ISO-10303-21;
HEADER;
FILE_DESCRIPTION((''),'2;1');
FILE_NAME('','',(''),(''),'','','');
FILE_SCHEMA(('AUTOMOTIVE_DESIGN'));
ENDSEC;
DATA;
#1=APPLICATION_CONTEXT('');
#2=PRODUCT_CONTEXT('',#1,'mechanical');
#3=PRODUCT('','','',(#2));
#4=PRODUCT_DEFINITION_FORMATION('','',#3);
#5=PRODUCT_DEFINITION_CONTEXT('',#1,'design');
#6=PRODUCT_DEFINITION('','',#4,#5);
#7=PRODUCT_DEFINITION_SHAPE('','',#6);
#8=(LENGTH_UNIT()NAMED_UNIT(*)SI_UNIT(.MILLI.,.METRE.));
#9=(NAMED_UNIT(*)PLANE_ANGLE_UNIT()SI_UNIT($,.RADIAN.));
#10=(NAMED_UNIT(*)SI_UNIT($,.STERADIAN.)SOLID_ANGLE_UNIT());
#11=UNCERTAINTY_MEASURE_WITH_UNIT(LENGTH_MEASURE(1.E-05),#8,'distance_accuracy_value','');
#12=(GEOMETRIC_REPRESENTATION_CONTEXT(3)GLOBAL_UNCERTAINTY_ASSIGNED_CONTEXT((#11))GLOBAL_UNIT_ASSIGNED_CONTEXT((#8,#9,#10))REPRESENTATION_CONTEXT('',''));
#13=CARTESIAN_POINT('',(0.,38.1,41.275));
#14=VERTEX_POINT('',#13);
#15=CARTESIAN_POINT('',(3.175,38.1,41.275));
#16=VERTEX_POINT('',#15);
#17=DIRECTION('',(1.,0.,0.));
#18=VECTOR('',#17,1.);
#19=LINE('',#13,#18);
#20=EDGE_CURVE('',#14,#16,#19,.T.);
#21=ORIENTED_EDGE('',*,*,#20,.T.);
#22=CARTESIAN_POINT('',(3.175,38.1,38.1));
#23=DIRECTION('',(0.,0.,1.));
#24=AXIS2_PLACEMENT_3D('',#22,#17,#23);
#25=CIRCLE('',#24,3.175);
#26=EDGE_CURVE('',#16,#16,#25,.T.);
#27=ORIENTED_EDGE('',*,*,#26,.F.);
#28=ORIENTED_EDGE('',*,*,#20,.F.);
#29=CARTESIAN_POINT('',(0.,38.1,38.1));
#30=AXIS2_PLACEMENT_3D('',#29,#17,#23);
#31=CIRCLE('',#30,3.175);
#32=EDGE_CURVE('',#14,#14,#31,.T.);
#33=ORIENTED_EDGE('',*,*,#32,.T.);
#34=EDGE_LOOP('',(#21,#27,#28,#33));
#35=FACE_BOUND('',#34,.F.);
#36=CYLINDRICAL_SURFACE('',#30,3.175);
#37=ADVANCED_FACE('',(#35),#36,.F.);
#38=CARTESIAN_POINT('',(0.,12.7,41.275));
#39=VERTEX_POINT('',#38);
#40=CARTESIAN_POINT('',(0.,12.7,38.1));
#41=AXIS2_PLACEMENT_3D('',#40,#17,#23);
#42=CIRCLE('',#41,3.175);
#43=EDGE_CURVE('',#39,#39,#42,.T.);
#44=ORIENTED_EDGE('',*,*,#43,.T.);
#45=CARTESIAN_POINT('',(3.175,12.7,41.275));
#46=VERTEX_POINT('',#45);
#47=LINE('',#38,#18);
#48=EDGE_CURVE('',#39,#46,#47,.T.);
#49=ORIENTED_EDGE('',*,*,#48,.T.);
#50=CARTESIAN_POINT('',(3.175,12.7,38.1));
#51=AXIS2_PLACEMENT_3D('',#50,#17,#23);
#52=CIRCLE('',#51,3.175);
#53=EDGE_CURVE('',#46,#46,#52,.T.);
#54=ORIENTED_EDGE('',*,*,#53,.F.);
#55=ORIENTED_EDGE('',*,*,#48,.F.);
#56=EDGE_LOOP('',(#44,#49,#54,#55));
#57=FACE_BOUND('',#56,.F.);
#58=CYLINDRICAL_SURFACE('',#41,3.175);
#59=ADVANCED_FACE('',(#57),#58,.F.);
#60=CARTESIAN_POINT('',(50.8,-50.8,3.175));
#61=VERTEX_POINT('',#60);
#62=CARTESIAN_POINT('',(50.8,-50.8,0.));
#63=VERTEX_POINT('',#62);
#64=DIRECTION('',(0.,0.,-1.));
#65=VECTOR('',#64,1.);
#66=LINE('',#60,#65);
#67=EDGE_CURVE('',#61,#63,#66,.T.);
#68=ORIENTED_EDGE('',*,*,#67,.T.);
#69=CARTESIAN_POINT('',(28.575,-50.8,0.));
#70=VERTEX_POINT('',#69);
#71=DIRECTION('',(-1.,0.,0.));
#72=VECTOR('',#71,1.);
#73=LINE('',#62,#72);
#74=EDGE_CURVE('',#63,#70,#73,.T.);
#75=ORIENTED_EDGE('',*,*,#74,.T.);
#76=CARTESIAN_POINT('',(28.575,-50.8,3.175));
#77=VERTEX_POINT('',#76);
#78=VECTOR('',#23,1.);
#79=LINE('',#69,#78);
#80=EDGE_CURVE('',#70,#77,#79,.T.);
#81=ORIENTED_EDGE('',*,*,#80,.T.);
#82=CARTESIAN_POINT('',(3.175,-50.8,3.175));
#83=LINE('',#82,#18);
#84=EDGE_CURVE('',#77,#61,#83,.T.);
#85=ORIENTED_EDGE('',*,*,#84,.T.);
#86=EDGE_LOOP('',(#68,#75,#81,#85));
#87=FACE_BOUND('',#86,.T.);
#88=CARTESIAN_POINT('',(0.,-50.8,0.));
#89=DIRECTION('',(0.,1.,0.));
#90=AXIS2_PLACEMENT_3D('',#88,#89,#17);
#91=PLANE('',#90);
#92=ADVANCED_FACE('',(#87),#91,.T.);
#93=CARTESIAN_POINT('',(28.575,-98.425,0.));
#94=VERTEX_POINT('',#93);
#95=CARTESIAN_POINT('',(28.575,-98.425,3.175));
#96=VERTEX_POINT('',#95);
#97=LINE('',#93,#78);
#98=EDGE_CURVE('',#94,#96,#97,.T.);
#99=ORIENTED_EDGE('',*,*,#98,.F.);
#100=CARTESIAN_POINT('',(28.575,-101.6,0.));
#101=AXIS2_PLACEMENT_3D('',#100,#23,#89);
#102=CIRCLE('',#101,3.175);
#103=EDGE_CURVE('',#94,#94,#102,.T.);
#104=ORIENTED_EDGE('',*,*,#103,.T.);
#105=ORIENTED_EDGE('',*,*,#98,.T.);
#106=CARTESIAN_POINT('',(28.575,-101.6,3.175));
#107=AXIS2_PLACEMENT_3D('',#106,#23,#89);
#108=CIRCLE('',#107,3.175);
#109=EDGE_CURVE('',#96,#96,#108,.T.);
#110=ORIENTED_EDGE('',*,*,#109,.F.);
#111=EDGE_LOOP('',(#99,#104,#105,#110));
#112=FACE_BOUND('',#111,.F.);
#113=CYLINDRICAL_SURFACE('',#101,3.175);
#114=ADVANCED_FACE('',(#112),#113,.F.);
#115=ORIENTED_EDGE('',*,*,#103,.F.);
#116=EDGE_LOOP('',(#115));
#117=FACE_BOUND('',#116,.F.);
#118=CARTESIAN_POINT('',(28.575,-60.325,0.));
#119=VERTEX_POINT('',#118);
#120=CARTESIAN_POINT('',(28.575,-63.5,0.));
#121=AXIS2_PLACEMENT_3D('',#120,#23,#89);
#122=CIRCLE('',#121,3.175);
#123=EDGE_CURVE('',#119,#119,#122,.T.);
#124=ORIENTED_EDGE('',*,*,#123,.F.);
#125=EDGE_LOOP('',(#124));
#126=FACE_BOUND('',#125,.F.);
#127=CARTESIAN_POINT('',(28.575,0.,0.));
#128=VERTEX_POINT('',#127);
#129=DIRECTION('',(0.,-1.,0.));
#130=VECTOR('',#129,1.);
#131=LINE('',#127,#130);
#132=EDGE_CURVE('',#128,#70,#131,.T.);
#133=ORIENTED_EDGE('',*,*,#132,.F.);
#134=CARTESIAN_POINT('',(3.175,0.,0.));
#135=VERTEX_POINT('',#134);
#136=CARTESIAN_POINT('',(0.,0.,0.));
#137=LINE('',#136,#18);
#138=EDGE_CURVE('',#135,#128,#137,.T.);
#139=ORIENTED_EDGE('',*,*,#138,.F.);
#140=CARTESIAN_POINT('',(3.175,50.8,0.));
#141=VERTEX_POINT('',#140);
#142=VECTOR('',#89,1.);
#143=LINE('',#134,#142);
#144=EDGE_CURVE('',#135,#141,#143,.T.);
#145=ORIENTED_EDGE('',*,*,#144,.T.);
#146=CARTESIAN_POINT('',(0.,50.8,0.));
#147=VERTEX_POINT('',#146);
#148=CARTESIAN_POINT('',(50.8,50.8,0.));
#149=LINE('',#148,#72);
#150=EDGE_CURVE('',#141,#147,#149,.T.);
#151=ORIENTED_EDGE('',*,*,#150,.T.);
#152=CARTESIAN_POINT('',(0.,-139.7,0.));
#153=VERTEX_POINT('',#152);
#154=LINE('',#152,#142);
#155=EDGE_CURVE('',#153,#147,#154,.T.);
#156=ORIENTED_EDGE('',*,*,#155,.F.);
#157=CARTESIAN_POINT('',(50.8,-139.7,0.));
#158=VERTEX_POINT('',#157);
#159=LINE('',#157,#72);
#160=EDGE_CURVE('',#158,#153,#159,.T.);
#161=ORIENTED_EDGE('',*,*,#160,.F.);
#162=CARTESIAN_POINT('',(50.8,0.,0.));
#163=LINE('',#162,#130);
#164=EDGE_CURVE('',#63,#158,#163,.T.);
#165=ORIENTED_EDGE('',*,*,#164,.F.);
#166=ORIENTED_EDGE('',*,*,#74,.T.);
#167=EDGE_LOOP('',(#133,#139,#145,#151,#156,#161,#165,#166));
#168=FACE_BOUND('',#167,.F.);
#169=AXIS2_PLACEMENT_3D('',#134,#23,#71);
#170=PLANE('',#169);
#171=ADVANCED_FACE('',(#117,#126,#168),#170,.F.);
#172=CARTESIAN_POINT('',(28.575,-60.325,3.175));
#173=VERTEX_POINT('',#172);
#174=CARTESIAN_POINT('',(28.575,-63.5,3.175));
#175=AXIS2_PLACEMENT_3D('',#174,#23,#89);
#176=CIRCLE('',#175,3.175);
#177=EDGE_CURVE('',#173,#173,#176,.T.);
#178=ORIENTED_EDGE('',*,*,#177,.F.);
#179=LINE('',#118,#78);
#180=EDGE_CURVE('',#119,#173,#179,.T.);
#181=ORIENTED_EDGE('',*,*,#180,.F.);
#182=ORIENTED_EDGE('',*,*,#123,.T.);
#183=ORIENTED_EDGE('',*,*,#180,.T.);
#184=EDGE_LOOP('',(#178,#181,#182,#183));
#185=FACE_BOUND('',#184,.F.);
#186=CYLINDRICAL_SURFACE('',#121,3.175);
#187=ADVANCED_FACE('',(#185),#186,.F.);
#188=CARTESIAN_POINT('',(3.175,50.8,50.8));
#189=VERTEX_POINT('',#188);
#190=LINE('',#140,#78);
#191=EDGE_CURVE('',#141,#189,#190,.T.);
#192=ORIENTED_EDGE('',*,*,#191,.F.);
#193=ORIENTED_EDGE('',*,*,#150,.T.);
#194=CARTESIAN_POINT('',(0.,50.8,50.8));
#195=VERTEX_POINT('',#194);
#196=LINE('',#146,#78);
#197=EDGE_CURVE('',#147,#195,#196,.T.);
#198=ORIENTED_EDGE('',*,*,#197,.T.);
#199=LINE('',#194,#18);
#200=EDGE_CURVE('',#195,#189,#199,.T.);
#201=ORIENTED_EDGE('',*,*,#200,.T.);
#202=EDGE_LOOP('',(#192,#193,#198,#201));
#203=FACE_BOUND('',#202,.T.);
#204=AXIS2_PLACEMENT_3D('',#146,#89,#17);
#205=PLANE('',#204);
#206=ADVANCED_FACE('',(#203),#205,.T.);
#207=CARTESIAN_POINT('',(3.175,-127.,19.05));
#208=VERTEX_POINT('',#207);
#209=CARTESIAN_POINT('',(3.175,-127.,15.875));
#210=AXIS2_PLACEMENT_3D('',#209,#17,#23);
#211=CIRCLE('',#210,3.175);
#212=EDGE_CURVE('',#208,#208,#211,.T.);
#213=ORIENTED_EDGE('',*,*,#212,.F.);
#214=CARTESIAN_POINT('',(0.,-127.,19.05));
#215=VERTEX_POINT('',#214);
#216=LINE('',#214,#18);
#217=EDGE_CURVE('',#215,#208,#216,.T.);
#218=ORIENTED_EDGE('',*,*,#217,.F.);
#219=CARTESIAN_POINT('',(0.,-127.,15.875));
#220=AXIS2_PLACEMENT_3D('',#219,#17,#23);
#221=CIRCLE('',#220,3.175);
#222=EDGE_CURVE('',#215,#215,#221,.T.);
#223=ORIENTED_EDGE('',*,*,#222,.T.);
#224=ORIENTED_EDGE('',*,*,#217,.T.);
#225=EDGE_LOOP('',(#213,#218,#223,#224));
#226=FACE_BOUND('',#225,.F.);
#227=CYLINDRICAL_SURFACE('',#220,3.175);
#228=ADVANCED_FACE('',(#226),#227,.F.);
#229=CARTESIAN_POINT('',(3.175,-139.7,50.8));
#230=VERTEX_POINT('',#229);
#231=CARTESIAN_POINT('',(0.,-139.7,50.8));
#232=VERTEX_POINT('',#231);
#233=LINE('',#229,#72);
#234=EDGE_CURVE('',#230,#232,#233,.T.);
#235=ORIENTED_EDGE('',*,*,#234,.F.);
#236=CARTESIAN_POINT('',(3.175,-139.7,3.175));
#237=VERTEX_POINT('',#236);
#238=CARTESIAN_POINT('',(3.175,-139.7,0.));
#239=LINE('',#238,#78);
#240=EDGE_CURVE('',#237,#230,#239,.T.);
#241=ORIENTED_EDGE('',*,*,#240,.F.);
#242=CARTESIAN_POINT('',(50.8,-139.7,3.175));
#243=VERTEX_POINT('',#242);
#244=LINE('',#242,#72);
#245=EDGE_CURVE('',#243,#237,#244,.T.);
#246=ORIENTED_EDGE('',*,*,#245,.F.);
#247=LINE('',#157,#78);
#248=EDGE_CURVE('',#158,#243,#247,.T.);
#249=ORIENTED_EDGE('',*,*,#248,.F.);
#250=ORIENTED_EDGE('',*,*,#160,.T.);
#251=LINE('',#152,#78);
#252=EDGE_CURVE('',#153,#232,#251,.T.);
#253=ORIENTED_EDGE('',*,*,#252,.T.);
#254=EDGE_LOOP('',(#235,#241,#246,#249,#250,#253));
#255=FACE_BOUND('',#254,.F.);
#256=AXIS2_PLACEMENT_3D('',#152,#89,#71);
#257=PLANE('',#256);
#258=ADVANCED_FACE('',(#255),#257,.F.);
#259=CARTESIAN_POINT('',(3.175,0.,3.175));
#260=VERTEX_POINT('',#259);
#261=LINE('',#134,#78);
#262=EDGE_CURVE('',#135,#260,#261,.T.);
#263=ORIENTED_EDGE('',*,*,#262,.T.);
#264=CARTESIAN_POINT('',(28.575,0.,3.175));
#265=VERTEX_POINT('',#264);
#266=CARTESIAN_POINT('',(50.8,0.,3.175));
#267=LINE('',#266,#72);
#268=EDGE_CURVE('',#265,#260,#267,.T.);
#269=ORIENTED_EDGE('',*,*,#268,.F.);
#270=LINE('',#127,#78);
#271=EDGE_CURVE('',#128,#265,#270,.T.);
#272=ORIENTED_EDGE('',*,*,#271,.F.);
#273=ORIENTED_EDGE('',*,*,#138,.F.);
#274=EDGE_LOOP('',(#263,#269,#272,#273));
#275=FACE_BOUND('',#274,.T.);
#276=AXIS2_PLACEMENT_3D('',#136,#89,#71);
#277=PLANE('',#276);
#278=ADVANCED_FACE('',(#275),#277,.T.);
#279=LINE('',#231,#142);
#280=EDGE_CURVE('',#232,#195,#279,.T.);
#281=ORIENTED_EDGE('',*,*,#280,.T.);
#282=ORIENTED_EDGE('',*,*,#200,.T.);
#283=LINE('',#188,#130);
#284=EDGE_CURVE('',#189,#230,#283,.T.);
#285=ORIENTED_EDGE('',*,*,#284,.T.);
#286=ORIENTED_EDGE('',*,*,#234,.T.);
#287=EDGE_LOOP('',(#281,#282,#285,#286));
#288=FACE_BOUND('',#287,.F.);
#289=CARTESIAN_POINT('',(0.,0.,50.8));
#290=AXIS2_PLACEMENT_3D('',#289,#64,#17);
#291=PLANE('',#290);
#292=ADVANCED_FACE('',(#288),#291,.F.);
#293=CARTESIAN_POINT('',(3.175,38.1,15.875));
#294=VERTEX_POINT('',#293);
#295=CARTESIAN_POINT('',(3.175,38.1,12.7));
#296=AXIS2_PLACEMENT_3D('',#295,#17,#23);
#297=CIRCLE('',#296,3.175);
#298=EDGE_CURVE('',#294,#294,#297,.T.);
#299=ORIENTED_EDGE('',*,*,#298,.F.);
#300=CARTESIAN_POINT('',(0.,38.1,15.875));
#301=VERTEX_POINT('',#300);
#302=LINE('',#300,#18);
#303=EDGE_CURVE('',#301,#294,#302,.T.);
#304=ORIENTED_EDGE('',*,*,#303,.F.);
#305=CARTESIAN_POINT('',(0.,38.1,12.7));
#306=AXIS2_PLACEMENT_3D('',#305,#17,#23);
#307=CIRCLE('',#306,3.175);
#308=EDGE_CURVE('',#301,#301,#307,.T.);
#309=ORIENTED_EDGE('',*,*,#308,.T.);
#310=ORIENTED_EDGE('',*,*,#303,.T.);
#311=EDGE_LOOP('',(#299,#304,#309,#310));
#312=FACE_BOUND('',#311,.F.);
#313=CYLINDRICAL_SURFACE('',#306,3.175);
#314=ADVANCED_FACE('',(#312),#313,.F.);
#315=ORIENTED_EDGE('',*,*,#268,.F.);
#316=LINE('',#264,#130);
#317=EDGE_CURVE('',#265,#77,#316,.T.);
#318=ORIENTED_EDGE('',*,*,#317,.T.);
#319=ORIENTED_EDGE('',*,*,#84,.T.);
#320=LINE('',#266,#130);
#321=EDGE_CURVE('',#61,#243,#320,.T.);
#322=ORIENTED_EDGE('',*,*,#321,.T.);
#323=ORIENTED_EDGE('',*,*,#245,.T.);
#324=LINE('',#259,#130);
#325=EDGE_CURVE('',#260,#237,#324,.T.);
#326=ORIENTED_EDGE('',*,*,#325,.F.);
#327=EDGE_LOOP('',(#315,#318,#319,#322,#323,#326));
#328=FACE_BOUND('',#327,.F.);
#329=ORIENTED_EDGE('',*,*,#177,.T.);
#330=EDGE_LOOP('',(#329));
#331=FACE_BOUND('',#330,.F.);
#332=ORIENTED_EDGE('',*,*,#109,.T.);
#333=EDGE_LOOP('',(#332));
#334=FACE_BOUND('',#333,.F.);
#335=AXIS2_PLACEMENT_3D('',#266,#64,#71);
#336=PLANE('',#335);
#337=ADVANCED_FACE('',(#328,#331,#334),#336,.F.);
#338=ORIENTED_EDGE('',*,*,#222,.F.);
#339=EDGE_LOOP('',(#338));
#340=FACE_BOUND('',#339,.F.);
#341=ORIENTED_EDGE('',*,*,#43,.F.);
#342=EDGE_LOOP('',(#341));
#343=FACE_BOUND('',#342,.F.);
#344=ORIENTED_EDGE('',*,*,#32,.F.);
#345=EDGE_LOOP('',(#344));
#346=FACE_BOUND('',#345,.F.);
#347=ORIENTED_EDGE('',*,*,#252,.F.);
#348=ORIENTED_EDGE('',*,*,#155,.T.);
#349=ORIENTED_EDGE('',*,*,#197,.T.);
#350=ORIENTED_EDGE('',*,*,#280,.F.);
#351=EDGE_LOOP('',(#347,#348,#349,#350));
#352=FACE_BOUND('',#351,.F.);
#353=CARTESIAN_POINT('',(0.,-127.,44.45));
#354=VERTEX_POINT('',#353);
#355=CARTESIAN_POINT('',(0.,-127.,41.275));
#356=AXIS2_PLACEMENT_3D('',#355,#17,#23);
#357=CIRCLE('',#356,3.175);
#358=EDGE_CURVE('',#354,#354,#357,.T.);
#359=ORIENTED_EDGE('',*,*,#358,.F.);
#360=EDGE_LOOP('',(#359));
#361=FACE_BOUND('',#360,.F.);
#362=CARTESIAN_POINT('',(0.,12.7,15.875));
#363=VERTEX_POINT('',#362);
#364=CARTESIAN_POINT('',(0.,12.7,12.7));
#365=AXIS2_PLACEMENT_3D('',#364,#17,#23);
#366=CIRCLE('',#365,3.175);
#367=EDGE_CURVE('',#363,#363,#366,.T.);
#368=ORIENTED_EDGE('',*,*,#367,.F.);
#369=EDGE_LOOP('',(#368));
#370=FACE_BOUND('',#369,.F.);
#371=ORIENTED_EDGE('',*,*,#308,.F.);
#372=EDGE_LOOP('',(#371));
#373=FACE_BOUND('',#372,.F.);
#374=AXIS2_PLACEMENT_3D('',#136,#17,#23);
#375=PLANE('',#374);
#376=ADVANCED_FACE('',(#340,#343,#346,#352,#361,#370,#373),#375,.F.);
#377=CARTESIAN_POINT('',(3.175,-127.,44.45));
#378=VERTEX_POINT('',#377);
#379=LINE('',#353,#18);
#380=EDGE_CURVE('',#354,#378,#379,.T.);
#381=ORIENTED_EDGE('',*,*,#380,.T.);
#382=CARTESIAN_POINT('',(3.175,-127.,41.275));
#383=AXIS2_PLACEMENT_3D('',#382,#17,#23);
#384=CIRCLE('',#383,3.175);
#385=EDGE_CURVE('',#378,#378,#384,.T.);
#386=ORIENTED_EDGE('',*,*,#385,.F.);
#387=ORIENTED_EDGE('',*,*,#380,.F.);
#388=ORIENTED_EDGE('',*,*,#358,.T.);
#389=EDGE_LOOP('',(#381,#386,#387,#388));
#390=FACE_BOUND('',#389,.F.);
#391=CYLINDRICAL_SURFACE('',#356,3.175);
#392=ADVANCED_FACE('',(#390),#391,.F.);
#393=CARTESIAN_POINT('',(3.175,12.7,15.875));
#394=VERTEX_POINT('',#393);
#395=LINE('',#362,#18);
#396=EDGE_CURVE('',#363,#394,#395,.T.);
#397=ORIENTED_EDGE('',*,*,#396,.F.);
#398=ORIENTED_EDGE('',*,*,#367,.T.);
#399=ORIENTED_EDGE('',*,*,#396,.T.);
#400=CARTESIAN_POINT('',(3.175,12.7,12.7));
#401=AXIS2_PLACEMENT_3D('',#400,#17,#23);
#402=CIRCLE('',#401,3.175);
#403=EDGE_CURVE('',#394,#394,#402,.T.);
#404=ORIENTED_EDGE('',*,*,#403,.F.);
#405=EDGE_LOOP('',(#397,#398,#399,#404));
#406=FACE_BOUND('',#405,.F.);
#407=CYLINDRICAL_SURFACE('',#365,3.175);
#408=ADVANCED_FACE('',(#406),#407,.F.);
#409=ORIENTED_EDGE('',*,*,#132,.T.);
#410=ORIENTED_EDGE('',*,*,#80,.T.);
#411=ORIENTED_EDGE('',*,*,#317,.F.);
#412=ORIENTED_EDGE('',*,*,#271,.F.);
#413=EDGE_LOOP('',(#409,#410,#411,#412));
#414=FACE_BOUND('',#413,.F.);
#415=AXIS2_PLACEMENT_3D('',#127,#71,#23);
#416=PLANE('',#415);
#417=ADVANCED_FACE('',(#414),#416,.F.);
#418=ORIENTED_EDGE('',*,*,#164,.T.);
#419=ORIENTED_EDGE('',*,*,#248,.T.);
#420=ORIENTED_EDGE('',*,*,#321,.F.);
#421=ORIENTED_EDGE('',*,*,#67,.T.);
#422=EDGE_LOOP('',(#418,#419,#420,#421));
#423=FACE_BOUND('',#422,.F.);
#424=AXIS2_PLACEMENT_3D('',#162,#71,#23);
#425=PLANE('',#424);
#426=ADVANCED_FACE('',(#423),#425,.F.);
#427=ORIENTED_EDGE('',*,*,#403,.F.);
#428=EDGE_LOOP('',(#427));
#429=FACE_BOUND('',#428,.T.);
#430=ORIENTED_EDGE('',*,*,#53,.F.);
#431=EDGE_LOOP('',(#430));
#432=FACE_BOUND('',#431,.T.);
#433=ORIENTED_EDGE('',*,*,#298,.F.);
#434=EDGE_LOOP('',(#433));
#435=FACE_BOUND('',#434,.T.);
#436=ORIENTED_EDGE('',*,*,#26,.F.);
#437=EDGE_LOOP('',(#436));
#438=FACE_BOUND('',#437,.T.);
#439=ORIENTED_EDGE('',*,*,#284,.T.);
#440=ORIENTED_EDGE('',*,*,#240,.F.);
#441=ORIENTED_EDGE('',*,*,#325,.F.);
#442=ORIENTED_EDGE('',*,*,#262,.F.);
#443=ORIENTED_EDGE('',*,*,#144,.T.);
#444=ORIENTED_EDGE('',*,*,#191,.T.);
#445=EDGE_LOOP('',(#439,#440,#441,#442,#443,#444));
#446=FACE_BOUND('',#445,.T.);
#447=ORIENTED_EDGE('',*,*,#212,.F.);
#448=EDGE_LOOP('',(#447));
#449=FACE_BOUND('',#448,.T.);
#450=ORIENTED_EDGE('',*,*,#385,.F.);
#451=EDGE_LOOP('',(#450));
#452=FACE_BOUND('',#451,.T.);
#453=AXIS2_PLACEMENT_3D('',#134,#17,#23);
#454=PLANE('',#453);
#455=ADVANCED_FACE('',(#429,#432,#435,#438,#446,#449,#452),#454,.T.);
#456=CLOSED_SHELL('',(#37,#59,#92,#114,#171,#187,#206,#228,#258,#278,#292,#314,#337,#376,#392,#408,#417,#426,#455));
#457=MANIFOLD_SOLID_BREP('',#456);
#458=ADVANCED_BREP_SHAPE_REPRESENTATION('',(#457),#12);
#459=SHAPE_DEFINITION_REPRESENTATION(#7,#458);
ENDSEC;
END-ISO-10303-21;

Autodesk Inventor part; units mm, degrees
ref_plane "YZ Plane" through (0, 0, 0) normal (1, 0, 0) x (0, 1, 0)
ref_plane "XZ Plane" through (0, 0, 0) normal (0, 1, 0) x (-1, 0, 0)
ref_plane "XY Plane" through (0, 0, 0) normal (0, 0, 1) x (1, 0, 0)
sketch "Sketch1" plane through (0, 0, 0) normal (0, 1, 0) x (-1, 0, 0)
  line L0 (0, 0) -> (-3.175, 0)
  line L1 (-3.175, 0) -> (-3.175, 50.8)
  line L2 (-3.175, 50.8) -> (0, 50.8)
  line L3 (0, 50.8) -> (0, 0)
  line L4 (0, 0) -> (-50.8, 0)
  line L5 (-50.8, 0) -> (-50.8, 3.175)
  line L6 (-50.8, 3.175) -> (0, 3.175)
  line L7 (0, 3.175) -> (0, 0)
  dimension "d0" = 3.175
  dimension "d1" = 50.8
  dimension "d2" = 50.8
  dimension "d3" = 3.175
extrude "Extrusion1" add sketch "Sketch1" against normal blind 139.7
sketch "Sketch3" plane through (0, 0, 0) normal (-1, 0, 0) x (0, 0, 1)
  line L0 (0, 0) -> (50.8, 0) projected
  line L1 (0, 0) -> (0, -139.7) projected
  line L2 (50.8, -139.7) -> (0, -139.7) projected
  line L3 (50.8, 0) -> (50.8, -139.7) projected
  point P0 (15.875, -127)
  point P1 (41.275, -127)
  dimension "d17" = 9.525
  dimension "d18" = 12.7
  dimension "d19" = 12.7
  dimension "d20" = 15.875
hole "Hole2" at (0, -127, 15.875) at (0, -127, 41.275) direction (1, 0, 0) diameter 6.35 end through all
sketch "Sketch4" plane through (50.8, 0, 0) normal (0, 0, -1) x (-1, 0, 0)
  line L0 (50.8, -139.7) -> (0, -139.7) projected
  line L1 (50.8, 0) -> (50.8, -139.7) projected
  line L2 (0, 0) -> (50.8, 0) projected
  line L3 (0, 0) -> (0, -139.7) projected
  point P0 (22.225, -63.5)
  point P1 (22.225, -101.6)
  dimension "d28" = 28.575
  dimension "d29" = 28.575
  dimension "d30" = 63.5
  dimension "d31" = 101.6
hole "Hole3" at (28.575, -63.5, 0) at (28.575, -101.6, 0) direction (0, 0, 1) diameter 6.35 end through all
sketch "Sketch5" plane through (0, 0, 0) normal (0, 1, 0) x (1, 0, 0)
  line L0 (0, 0) -> (0, -50.8) projected
  line L1 (0, -50.8) -> (3.175, -50.8) projected
  line L2 (3.175, -50.8) -> (3.175, -3.175) projected
  line L3 (3.175, -3.175) -> (50.8, -3.175) projected
  line L4 (50.8, -3.175) -> (50.8, 0) projected
  line L5 (50.8, 0) -> (0, 0) projected
  line L6 (0, 0) -> (3.175, 0)
  line L7 (3.175, 0) -> (3.175, -50.8)
  line L8 (3.175, -50.8) -> (0, -50.8)
  line L9 (0, -50.8) -> (0, 0)
extrude "Extrusion2" add sketch "Sketch5" along normal blind 50.8 contours L5 L7 L2 L1 L0
sketch "Sketch6" plane through (0, 0, 0) normal (0, 1, 0) x (1, 0, 0)
  line L0 (3.175, 0) -> (3.175, -3.175) projected
  line L1 (3.175, -3.175) -> (50.8, -3.175) projected
  line L2 (50.8, -3.175) -> (50.8, 0) projected
  line L3 (50.8, 0) -> (3.175, 0) projected
  line L4 (50.8, 0) -> (28.575, 0)
  line L5 (28.575, 0) -> (28.575, -3.175)
  line L6 (28.575, -3.175) -> (50.8, -3.175)
  line L7 (50.8, -3.175) -> (50.8, 0)
  point P0 (0, 0)
  dimension "d41" = 22.225
extrude "Extrusion3" cut sketch "Sketch6" against normal blind 50.8 contours L3 L2 L1 L5
sketch "Sketch7" plane through (0, -139.7, 0) normal (-1, 0, 0) x (0, 0, 1)
  circle A0 centre (15.875, 12.7) radius 3.175 projected
  circle A1 centre (41.275, 12.7) radius 3.175 projected
  line L0 (0, 190.5) -> (0, 0) projected
  line L1 (50.8, 0) -> (0, 0) projected
  line L2 (50.8, 0) -> (50.8, 190.5) projected
  line L3 (0, 190.5) -> (50.8, 190.5) projected
  point P0 (0, 139.7)
  point P1 (12.7, 177.8)
  point P2 (38.1, 177.8)
  point P3 (38.1, 152.4)
  point P4 (12.7, 152.4)
  dimension "d44" = 12.7
  dimension "d45" = 38.1
  dimension "d46" = 38.1
  dimension "d47" = 12.7
  dimension "d48" = 12.7
  dimension "d49" = 12.7
  dimension "d50" = 12.7
  dimension "d51" = 12.7
hole "Hole4" at (0, 38.1, 12.7) at (0, 38.1, 38.1) at (0, 12.7, 38.1) at (0, 12.7, 12.7) direction (1, 0, 0) diameter 6.35 end through all
properties part number "2x2 angle vertical left"
